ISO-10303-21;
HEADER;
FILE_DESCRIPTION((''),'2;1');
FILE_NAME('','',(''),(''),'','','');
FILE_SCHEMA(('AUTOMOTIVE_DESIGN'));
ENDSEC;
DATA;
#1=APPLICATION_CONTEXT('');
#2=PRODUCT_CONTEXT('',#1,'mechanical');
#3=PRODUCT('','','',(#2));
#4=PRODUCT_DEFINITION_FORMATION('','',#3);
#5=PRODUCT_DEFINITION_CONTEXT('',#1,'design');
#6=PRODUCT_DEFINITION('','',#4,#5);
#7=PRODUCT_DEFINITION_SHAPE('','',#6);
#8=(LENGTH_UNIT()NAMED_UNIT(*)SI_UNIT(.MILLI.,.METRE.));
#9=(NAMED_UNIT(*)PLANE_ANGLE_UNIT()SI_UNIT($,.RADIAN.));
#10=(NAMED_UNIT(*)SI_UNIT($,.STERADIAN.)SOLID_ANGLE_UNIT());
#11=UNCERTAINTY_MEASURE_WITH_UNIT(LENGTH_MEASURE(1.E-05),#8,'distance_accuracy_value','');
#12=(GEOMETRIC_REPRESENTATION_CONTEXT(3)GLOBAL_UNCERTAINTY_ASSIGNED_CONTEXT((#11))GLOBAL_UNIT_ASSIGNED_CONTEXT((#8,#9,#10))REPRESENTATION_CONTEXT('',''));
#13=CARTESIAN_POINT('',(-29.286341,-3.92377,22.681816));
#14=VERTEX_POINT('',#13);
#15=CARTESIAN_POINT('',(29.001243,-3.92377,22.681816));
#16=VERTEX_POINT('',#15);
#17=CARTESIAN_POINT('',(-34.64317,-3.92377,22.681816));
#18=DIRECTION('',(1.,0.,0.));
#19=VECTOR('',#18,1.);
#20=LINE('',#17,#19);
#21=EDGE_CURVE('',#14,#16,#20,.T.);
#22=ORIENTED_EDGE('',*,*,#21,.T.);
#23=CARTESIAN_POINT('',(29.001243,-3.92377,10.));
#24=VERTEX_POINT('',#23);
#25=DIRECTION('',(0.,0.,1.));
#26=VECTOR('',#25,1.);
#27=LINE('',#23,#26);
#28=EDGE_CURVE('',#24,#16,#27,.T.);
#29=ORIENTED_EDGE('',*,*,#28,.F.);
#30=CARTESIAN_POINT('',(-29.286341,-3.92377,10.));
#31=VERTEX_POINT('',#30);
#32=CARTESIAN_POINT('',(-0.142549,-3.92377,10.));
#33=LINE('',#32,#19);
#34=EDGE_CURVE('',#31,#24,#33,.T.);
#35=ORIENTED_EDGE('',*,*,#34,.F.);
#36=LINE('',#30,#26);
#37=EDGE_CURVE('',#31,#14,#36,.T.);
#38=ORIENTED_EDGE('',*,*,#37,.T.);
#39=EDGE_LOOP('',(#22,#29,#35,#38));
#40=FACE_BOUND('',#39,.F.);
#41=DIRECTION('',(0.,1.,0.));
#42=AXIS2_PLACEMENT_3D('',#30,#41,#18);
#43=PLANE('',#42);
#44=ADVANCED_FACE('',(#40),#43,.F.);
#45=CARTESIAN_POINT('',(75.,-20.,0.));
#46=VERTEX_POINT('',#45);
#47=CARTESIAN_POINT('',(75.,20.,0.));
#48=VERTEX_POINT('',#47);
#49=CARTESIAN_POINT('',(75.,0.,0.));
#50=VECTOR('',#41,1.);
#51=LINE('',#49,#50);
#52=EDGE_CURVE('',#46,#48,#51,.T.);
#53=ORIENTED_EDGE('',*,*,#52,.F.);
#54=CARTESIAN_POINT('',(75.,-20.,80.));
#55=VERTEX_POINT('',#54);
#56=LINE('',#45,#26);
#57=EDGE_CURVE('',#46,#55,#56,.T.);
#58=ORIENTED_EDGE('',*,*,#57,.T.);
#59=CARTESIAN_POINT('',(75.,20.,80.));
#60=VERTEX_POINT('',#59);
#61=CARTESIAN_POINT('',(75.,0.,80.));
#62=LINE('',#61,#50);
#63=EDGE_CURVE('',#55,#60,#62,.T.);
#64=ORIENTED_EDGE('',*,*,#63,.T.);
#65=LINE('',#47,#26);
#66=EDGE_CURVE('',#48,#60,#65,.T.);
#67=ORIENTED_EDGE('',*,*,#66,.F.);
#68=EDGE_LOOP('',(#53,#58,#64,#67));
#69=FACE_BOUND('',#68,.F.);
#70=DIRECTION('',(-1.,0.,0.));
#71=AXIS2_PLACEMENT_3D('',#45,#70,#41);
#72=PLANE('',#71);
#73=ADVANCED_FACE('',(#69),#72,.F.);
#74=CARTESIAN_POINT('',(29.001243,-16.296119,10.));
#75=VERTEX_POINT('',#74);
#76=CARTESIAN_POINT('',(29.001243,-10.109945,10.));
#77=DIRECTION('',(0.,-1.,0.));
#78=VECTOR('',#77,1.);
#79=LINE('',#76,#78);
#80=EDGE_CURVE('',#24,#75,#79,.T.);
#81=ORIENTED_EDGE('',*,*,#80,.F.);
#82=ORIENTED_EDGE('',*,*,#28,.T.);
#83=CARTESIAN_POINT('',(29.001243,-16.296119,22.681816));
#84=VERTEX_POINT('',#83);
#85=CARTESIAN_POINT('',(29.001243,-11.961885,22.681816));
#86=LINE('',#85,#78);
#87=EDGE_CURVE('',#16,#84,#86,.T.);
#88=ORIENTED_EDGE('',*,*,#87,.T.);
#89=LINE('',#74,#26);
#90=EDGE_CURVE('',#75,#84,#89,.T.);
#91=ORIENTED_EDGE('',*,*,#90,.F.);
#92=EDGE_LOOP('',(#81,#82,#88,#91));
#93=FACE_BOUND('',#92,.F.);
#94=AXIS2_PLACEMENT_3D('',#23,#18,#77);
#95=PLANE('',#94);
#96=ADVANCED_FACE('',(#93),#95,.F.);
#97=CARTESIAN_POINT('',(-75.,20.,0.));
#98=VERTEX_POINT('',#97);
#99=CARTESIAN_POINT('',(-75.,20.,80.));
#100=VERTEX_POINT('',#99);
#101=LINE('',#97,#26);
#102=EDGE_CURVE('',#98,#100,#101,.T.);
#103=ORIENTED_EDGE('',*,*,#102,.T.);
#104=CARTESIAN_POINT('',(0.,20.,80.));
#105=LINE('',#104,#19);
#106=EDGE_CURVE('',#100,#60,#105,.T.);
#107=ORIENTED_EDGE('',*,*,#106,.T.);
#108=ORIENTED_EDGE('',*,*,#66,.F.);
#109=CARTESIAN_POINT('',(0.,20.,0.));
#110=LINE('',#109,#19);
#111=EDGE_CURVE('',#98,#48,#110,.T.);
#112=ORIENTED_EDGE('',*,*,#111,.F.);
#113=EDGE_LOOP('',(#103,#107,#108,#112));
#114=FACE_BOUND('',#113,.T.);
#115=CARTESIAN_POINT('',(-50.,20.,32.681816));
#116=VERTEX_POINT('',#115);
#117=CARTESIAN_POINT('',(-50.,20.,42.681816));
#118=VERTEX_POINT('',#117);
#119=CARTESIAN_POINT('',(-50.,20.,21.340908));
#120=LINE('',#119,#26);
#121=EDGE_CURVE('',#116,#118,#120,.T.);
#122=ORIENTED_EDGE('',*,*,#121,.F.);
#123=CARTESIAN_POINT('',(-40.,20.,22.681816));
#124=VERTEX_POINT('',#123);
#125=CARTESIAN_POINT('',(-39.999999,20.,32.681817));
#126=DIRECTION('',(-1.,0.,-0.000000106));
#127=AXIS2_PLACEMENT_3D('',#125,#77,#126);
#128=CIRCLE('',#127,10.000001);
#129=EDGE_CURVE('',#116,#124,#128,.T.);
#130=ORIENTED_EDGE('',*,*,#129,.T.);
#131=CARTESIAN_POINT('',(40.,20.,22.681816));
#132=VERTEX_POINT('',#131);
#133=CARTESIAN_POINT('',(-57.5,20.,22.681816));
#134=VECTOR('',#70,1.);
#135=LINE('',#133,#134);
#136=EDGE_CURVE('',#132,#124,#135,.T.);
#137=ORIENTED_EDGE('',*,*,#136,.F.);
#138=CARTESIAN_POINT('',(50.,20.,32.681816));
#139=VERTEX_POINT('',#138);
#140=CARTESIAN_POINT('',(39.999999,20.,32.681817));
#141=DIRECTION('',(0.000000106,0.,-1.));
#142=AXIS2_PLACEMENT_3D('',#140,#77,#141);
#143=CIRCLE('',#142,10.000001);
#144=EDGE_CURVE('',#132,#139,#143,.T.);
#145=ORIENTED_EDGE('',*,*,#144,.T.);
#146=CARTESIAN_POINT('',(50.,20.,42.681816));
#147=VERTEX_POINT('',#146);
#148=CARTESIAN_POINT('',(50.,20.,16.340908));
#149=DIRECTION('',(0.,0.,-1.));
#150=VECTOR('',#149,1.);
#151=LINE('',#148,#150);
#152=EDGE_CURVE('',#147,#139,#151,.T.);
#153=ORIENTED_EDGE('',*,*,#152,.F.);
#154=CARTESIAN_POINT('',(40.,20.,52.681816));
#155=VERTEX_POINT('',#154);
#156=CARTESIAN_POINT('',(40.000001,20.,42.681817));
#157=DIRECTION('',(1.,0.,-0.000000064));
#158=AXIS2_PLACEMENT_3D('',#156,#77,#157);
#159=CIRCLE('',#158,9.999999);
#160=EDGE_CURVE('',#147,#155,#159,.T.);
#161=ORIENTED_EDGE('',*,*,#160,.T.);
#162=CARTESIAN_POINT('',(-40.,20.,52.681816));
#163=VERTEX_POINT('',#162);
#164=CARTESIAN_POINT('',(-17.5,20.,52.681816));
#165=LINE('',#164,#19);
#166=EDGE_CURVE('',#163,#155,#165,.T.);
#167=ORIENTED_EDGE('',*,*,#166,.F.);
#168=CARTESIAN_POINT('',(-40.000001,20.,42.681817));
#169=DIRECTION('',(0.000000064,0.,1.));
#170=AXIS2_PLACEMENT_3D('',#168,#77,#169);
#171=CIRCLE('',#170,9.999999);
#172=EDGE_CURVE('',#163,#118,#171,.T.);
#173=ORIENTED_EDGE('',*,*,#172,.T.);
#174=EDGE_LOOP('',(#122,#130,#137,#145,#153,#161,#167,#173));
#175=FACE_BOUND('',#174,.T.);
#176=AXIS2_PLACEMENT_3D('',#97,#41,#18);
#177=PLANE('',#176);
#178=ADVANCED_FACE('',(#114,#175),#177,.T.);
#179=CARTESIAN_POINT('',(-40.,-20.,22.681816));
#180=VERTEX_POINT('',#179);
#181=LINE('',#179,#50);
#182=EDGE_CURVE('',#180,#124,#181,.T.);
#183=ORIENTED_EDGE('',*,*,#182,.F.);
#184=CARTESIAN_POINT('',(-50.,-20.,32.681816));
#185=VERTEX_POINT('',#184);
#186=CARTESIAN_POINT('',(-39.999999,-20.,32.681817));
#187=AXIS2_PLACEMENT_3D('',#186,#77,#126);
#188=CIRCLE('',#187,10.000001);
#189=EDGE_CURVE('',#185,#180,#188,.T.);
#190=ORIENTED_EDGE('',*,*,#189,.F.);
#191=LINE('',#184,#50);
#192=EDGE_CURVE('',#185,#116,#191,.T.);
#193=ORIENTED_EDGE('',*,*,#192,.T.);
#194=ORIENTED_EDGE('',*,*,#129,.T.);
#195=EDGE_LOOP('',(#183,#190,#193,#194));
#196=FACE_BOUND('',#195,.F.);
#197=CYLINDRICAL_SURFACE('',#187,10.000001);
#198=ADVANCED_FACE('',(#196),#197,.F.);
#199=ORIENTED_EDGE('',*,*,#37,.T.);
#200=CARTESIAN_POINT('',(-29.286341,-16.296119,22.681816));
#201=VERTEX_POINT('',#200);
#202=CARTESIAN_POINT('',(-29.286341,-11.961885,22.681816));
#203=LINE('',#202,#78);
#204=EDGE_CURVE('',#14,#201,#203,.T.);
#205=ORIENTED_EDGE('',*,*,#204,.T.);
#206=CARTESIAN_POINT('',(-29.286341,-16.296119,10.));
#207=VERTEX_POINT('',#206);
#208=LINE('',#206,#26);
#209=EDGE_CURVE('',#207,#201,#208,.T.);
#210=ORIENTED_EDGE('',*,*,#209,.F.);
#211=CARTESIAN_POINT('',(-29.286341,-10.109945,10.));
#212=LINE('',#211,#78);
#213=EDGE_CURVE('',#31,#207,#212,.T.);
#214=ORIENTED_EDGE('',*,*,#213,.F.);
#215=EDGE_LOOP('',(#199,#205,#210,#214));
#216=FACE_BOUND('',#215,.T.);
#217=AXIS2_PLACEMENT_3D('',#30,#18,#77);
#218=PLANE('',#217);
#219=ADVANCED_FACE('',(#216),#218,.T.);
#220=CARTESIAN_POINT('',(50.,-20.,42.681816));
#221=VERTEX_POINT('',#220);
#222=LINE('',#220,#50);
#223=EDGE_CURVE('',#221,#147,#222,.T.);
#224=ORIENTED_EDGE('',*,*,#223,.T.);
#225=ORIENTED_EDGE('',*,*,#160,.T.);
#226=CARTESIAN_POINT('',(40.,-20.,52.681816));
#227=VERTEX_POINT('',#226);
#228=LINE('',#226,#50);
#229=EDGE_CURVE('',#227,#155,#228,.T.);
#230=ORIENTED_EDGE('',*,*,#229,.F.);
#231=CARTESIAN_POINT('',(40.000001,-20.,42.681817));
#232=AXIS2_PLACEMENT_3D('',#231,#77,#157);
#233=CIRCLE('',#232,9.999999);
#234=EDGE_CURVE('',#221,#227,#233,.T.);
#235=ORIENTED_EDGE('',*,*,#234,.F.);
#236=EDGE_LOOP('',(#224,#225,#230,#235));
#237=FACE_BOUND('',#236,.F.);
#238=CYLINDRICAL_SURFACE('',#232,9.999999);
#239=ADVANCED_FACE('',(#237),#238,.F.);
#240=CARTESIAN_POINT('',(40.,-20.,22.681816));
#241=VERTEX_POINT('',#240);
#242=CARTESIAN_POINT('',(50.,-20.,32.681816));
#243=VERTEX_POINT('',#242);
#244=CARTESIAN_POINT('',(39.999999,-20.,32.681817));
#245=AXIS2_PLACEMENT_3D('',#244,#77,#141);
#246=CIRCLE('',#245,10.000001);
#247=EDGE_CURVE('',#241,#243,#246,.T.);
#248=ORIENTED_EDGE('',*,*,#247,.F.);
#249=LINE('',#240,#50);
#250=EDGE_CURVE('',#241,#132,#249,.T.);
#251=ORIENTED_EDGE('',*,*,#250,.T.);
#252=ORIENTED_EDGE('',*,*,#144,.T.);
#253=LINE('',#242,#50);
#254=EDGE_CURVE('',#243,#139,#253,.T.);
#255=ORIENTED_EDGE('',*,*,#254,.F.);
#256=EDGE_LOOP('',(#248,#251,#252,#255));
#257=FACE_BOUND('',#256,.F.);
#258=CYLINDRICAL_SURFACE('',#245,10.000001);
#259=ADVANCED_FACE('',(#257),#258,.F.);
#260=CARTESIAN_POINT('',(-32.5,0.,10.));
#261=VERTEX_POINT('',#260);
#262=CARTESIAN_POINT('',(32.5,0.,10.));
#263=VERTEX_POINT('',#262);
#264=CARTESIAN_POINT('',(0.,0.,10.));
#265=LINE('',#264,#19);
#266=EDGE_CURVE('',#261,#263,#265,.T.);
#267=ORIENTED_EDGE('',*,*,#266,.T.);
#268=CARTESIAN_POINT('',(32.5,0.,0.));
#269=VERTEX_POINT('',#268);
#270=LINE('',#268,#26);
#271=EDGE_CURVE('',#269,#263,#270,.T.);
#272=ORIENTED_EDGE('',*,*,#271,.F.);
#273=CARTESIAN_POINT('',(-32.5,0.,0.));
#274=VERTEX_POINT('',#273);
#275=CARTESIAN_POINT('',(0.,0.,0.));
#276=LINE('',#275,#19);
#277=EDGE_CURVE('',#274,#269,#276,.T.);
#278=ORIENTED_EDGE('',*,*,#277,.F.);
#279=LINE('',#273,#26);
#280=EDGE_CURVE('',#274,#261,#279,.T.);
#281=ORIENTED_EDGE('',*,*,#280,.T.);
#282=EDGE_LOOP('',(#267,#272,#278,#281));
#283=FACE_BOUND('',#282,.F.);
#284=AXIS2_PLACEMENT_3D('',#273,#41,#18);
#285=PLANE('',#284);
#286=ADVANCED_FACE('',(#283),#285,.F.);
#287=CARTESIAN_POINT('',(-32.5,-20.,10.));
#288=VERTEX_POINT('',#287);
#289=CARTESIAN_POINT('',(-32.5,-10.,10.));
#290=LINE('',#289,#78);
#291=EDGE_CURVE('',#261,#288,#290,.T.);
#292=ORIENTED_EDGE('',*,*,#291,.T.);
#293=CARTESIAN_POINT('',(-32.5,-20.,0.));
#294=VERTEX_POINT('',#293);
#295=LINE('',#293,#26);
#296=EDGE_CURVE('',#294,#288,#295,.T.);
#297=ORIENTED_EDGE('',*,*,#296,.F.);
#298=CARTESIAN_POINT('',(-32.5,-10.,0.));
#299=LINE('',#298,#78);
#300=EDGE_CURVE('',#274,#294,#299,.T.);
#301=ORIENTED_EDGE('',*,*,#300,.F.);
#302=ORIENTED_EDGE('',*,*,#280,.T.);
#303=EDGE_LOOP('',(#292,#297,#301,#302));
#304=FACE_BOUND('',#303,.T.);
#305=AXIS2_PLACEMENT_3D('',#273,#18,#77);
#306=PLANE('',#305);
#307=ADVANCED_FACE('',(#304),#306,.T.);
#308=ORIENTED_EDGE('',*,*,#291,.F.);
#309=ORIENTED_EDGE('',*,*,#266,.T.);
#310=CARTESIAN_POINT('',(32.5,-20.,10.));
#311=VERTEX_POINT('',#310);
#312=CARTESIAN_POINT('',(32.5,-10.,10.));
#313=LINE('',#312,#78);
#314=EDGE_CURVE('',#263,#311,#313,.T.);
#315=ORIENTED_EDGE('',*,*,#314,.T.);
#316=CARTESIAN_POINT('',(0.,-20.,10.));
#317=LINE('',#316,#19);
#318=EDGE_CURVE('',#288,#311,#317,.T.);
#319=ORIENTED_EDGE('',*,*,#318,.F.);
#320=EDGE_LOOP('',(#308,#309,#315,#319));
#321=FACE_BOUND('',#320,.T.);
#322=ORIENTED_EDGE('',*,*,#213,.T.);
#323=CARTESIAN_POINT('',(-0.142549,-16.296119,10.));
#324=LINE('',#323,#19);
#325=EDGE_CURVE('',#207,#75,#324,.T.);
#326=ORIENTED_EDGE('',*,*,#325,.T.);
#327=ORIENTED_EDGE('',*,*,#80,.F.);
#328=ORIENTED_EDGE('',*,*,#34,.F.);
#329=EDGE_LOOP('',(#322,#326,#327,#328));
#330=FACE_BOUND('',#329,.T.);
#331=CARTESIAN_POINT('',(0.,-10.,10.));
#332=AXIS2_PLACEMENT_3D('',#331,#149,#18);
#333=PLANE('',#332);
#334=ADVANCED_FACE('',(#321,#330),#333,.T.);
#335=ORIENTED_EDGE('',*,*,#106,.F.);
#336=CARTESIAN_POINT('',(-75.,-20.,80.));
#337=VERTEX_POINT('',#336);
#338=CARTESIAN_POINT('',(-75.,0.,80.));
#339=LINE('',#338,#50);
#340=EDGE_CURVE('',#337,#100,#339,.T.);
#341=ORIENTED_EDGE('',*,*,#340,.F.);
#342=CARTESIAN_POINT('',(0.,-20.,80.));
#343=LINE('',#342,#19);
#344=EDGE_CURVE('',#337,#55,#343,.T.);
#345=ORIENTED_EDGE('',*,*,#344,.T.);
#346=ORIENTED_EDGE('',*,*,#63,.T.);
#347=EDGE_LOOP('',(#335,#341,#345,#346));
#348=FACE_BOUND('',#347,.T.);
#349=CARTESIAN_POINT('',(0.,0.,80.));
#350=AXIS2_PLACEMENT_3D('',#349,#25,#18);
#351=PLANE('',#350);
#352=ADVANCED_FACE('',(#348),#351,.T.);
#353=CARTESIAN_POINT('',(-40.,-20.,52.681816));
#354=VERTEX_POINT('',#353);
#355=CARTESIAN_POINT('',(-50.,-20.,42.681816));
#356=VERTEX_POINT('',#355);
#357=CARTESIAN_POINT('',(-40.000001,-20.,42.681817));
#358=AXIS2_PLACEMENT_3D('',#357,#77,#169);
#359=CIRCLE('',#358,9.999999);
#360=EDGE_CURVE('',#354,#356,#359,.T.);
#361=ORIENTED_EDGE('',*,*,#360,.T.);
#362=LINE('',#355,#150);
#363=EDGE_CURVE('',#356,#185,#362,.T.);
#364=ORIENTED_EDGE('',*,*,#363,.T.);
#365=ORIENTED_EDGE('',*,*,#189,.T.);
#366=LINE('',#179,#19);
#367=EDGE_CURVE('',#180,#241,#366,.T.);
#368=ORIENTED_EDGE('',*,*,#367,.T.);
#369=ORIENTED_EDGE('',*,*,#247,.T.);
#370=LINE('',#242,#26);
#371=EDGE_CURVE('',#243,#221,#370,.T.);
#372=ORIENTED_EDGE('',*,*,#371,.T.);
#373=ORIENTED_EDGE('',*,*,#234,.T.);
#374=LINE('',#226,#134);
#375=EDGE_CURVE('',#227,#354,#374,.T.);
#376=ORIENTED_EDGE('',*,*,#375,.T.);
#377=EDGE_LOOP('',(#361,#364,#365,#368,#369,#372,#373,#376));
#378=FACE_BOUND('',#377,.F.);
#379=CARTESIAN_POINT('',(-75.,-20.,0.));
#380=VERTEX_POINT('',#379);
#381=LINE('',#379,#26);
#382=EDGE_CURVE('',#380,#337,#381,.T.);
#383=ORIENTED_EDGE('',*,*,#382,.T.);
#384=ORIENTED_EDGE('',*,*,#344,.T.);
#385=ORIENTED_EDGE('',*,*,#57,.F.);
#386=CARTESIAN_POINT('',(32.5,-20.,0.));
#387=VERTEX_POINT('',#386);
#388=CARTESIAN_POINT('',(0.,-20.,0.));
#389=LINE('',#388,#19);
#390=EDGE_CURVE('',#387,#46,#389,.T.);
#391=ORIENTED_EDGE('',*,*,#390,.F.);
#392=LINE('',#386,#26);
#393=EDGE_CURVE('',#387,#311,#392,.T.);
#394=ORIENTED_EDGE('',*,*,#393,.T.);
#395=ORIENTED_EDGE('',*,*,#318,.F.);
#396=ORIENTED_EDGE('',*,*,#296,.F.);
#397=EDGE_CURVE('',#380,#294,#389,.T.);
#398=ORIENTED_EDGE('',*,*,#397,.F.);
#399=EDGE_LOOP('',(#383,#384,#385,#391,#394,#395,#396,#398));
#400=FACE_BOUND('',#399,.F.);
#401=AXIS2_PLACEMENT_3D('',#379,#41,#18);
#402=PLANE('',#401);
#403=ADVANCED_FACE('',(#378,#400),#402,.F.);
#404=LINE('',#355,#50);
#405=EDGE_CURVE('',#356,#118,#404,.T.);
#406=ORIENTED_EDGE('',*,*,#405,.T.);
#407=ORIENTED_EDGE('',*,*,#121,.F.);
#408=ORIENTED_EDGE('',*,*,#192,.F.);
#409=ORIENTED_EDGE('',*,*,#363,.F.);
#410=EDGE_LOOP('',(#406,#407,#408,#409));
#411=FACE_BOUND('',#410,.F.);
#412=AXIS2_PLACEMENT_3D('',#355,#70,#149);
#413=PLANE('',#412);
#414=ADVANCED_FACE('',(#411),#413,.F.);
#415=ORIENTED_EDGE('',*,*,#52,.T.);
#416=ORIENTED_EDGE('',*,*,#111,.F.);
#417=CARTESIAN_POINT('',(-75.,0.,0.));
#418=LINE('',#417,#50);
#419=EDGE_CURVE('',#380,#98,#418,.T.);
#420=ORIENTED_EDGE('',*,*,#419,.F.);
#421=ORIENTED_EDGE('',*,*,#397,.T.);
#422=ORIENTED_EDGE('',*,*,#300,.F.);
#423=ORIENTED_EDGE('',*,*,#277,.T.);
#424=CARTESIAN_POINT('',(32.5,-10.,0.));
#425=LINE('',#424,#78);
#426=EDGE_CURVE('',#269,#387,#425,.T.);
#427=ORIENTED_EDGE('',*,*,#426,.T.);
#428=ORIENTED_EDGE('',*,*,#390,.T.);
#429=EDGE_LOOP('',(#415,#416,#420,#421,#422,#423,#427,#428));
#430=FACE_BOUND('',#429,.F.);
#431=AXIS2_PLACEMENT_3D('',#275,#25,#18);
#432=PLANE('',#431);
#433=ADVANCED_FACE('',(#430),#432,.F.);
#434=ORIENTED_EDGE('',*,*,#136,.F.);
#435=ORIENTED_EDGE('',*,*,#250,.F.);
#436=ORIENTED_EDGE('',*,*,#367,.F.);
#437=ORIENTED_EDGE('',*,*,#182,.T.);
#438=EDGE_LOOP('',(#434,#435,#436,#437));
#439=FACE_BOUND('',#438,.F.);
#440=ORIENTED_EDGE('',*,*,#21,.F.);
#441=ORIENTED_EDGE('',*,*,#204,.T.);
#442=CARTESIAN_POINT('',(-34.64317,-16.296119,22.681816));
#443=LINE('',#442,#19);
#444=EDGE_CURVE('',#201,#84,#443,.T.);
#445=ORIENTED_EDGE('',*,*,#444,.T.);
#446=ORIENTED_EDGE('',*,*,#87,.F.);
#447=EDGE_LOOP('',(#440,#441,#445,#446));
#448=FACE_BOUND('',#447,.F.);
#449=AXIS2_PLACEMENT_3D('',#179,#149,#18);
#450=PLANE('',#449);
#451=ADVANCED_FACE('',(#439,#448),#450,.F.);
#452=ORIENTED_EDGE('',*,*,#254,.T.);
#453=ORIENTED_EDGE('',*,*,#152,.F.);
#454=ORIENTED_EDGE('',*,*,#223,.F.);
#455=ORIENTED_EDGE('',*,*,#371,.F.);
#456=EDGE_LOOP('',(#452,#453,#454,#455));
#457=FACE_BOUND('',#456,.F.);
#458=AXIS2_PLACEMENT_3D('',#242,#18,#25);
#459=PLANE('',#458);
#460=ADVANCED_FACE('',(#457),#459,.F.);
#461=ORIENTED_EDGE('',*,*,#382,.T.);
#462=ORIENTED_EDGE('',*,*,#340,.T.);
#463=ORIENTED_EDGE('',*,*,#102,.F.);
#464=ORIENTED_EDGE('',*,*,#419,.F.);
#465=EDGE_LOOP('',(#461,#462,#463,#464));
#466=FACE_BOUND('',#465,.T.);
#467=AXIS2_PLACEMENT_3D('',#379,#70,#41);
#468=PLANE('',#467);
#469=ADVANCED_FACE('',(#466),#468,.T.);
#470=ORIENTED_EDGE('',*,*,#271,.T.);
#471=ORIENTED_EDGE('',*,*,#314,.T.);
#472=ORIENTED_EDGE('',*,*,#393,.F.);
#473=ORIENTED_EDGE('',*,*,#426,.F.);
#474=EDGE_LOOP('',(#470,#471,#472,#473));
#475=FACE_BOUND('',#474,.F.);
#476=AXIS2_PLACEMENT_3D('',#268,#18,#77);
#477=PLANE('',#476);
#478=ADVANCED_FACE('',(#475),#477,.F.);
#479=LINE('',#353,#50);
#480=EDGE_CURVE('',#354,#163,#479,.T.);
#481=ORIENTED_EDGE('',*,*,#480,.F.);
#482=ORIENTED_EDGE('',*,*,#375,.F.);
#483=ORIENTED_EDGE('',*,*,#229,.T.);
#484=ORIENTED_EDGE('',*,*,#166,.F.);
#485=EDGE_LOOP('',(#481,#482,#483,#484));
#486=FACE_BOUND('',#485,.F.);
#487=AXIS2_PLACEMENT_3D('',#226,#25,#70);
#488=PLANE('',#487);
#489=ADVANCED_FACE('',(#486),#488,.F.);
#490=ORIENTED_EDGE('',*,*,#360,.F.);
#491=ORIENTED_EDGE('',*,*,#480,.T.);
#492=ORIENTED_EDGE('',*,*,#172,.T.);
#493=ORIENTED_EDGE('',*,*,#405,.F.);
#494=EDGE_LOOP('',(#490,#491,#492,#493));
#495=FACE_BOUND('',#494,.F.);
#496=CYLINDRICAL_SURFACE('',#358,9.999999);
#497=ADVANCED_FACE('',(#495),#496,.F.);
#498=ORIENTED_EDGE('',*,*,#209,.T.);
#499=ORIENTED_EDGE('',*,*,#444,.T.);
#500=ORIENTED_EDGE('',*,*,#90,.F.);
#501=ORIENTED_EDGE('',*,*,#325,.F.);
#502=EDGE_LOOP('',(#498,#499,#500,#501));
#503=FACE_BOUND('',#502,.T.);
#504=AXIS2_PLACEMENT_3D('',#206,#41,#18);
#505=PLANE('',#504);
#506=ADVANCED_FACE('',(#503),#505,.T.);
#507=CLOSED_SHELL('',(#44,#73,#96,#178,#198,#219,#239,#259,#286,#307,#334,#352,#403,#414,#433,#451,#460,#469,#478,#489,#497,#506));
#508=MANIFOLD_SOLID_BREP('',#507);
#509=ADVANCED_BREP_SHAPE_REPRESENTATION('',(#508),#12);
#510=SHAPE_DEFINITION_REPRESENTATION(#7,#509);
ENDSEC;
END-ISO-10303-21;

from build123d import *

# Parameters (mm, degrees)
F0_W     = 150
F0_H     = 40
F1_DEPTH = 80
F2_W     = 65
F2_H     = 20
F3_DEPTH = 10
F5_DEPTH = 264.4
F6_W     = 58.287583
F6_H     = 12.372349
F7_DEPTH = 25


with BuildPart() as f1:
    # F0 (on Top) → F1 (new body)
    with BuildSketch(Plane.XY):
        Rectangle(F0_W, F0_H)
    extrude(amount=F1_DEPTH)

    # F2 (on face) → F3 (cut)
    with BuildSketch(Plane(origin=(0, 0, 0), x_dir=(1, 0, 0), z_dir=(0, 0, -1))):
        with Locations((0, 10)):
            Rectangle(F2_W, F2_H)
    extrude(amount=-F3_DEPTH, mode=Mode.SUBTRACT)

    # F4 (on face) → F5 (cut)
    with BuildSketch(Plane.XZ.offset(20)):
        with BuildLine():
            Line((-40, 22.681816), (40, 22.681816))
            ThreePointArc((40, 22.681816), (47.071068, 25.610749), (50, 32.681816))
            Line((50, 32.681816), (50, 42.681816))
            ThreePointArc((50, 42.681816), (47.071068, 49.752884), (40, 52.681816))
            Line((40, 52.681816), (-40, 52.681816))
            ThreePointArc((-40, 52.681816), (-47.071068, 49.752884), (-50, 42.681816))
            Line((-50, 42.681816), (-50, 32.681816))
            ThreePointArc((-50, 32.681816), (-47.071068, 25.610749), (-40, 22.681816))
        make_face()
    extrude(amount=-F5_DEPTH, mode=Mode.SUBTRACT)

    # F6 (on face) → F7 (cut)
    with BuildSketch(Plane(origin=(0, 0, 10), x_dir=(1, 0, 0), z_dir=(0, 0, -1))):
        with Locations((-0.142549, 10.109945)):
            Rectangle(F6_W, F6_H)
    extrude(amount=-F7_DEPTH, mode=Mode.SUBTRACT)


solid = f1.part
